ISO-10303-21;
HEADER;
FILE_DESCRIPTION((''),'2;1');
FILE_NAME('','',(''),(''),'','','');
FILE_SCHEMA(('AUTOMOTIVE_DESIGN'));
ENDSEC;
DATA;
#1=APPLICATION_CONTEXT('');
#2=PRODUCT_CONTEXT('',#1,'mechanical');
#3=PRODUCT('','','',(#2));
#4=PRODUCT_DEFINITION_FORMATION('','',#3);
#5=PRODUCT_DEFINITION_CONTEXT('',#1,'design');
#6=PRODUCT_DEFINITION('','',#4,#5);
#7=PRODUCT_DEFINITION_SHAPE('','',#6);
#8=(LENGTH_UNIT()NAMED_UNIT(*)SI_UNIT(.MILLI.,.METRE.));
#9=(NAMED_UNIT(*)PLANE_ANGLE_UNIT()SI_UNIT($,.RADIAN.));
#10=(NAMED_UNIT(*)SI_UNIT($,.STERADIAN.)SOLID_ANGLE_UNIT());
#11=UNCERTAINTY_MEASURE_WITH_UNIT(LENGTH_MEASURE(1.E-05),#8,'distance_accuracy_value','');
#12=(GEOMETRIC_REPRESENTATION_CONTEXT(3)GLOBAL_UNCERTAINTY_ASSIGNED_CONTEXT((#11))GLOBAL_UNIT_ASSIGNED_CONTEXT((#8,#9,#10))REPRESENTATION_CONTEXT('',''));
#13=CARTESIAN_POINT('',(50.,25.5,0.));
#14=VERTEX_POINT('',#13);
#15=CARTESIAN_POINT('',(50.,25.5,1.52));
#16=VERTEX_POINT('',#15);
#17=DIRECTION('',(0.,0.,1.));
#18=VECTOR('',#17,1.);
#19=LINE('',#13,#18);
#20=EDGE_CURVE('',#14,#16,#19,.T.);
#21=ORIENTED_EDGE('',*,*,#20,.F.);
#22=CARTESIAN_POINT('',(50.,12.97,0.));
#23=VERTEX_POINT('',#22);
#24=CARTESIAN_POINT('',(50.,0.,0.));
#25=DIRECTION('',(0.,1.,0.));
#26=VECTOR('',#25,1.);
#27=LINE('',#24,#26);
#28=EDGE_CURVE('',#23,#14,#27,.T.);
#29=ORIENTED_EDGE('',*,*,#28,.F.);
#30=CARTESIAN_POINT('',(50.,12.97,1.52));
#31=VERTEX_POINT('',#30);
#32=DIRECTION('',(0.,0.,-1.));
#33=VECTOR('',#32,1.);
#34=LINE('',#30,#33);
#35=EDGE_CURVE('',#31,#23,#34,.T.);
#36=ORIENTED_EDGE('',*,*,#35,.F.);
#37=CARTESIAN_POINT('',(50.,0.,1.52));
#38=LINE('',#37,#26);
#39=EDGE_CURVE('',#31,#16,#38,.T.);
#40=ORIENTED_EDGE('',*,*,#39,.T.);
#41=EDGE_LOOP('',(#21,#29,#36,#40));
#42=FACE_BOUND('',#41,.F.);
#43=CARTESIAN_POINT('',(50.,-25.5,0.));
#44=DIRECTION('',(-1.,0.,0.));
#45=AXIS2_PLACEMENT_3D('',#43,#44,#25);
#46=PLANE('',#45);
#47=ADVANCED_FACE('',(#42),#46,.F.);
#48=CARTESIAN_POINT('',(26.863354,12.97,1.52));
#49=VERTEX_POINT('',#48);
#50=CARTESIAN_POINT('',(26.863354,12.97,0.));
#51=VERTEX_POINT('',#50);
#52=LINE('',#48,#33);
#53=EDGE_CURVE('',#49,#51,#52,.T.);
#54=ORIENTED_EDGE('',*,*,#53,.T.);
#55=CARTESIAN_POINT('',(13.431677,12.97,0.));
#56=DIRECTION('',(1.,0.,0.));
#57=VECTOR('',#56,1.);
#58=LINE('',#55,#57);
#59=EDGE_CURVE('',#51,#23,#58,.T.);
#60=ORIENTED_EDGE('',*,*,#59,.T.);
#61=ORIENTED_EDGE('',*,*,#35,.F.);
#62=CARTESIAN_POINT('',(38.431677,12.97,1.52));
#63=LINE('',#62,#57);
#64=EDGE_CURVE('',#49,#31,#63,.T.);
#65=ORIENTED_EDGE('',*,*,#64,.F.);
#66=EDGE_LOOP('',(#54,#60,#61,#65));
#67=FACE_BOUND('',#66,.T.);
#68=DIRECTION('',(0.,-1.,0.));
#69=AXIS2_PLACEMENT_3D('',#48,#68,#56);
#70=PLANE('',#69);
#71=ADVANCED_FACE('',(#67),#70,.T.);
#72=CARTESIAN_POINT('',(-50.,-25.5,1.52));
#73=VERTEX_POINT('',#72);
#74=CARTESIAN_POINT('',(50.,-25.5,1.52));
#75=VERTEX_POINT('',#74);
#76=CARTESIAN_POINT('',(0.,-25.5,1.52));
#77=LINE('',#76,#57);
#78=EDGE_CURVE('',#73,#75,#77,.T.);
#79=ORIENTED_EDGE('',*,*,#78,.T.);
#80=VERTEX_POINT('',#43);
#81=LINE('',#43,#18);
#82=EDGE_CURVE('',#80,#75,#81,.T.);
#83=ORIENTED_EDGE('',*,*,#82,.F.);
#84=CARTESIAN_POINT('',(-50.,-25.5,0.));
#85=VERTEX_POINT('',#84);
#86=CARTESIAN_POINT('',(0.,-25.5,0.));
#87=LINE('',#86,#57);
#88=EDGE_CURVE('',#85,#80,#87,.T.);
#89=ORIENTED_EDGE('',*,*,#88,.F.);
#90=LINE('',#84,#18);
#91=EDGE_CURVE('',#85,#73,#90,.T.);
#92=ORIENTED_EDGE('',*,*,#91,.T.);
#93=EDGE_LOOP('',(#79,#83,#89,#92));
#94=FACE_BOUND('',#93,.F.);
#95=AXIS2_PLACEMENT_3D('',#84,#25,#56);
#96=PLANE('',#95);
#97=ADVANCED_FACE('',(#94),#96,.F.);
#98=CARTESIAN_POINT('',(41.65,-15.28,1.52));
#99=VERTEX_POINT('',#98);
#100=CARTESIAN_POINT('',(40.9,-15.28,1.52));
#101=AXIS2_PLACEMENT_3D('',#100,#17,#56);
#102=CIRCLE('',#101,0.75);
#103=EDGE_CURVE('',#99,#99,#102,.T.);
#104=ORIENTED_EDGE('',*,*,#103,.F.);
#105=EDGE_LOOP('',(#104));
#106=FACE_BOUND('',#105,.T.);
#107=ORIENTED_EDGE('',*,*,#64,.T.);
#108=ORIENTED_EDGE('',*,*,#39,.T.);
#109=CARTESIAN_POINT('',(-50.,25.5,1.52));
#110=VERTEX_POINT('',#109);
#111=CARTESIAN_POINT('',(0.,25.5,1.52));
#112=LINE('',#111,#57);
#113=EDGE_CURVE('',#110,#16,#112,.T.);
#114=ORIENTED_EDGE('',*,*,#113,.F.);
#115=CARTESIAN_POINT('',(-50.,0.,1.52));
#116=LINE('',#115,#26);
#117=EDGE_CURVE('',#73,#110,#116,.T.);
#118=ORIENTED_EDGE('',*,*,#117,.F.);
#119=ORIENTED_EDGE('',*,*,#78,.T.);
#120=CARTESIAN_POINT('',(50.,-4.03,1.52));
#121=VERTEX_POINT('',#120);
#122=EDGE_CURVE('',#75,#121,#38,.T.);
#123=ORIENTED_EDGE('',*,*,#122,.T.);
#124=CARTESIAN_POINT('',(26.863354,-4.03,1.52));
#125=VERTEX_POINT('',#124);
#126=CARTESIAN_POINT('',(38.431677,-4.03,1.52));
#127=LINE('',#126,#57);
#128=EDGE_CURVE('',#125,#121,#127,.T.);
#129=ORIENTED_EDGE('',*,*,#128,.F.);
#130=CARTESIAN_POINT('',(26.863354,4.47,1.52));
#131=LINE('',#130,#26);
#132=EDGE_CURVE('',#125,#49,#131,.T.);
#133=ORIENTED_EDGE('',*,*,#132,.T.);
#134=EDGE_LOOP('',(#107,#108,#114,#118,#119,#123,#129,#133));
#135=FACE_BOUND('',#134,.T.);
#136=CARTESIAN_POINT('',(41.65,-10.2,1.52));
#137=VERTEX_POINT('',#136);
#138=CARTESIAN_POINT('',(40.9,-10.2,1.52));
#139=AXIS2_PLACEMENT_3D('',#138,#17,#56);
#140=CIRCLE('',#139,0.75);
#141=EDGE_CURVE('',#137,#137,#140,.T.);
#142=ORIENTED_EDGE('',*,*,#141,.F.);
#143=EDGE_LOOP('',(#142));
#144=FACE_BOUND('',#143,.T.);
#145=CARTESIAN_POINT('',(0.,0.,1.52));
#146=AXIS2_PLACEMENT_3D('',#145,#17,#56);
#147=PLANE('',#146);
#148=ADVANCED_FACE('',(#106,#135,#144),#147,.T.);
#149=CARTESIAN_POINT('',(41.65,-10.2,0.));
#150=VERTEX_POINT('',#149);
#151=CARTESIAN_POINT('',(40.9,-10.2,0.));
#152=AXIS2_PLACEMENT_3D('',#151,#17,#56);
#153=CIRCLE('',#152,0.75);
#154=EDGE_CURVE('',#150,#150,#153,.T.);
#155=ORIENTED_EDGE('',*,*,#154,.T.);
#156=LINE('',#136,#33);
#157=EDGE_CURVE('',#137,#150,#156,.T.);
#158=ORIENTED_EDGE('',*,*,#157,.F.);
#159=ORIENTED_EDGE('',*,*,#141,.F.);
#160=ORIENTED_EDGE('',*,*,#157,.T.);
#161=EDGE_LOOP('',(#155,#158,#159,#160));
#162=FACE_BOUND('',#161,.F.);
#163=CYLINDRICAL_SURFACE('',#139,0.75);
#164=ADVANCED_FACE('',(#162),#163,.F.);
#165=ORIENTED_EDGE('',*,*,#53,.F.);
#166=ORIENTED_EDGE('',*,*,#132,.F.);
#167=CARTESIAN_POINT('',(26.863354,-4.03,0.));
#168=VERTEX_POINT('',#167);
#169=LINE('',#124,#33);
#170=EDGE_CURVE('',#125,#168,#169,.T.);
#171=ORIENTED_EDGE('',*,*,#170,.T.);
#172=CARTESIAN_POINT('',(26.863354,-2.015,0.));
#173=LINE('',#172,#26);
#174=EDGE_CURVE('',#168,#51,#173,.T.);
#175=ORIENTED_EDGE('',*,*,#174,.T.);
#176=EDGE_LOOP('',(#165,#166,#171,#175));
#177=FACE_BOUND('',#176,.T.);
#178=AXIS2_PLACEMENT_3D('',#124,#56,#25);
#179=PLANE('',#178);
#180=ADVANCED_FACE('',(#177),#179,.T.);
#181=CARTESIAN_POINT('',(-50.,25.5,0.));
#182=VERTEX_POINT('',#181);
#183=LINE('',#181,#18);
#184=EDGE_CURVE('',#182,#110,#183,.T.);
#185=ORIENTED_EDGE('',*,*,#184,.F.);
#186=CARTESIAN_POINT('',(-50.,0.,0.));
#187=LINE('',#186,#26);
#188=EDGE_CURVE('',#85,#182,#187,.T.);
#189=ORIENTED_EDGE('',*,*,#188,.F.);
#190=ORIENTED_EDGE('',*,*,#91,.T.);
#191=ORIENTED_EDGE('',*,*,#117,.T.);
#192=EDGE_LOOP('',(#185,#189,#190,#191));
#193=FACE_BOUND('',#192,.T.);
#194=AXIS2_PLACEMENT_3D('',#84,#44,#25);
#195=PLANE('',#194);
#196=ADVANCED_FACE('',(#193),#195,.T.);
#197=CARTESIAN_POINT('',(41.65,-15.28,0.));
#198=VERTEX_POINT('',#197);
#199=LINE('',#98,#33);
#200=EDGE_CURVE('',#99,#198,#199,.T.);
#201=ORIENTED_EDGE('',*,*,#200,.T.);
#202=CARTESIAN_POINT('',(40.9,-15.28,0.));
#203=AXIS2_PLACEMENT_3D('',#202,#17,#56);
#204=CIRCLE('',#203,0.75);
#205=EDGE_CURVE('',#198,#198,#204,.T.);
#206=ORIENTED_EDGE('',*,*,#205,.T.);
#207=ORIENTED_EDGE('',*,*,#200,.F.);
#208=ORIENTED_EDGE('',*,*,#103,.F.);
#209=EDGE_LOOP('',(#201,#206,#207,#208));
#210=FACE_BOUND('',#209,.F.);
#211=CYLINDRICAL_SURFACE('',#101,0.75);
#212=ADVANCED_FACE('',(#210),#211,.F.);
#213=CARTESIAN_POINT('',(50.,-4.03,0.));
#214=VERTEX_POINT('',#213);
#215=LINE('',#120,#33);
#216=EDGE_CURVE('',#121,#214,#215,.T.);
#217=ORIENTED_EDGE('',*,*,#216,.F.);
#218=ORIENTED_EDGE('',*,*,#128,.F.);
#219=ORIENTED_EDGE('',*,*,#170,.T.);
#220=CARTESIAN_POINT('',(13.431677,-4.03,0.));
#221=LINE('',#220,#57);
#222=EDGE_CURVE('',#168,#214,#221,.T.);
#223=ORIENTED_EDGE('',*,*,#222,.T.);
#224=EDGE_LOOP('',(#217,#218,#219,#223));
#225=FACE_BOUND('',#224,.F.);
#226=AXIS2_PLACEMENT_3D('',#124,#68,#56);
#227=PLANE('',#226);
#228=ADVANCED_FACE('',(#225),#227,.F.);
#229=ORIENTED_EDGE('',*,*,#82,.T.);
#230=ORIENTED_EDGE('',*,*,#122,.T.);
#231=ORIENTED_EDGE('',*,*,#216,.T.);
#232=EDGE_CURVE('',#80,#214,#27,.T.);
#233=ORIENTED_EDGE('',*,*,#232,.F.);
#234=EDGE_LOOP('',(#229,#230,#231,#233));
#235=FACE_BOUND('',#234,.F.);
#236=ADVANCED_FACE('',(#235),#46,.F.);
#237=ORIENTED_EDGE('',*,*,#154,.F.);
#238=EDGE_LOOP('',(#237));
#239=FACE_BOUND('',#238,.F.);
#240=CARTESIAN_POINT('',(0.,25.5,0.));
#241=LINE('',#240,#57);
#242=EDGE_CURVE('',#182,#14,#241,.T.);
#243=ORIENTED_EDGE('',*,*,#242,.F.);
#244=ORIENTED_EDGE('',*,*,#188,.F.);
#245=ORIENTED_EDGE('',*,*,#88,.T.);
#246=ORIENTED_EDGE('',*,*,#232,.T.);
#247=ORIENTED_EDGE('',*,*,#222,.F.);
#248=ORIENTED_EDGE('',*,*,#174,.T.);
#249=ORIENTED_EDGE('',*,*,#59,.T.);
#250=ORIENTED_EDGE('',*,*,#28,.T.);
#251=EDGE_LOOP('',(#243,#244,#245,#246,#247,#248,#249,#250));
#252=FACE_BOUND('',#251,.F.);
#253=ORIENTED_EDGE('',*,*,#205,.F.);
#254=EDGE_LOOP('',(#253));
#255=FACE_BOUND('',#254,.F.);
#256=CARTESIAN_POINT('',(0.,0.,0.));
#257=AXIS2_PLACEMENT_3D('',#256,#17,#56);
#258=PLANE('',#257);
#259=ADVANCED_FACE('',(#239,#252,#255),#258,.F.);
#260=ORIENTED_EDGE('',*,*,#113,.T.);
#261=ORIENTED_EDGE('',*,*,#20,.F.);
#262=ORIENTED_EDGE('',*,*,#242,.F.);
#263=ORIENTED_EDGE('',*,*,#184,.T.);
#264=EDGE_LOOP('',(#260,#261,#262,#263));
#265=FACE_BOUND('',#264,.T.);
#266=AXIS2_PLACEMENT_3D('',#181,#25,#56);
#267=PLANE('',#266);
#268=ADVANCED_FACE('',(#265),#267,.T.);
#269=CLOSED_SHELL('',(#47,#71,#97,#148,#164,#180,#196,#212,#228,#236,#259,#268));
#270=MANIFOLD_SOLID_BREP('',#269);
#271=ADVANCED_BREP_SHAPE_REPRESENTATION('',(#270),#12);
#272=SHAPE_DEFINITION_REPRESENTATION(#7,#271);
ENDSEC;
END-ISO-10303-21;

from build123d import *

# Parameters (mm, degrees)
F0_W     = 100
F0_H     = 51
F1_DEPTH = 1.52
F2_W     = 23.136646
F2_H     = 17
F2_R     = 0.75
F3_DEPTH = 25


with BuildPart() as f1:
    # F0 (on Top) → F1 (new body)
    with BuildSketch(Plane.XY):
        Rectangle(F0_W, F0_H)
    extrude(amount=F1_DEPTH)

    # F2 (on face) → F3 (cut)
    with BuildSketch(Plane.XY.offset(1.52)):
        with Locations((38.431677, 4.47)):
            Rectangle(F2_W, F2_H)
        with Locations((40.9, -10.2)):
            Circle(F2_R)
        with Locations((40.9, -15.28)):
            Circle(F2_R)
    extrude(amount=-F3_DEPTH, mode=Mode.SUBTRACT)


solid = f1.part
